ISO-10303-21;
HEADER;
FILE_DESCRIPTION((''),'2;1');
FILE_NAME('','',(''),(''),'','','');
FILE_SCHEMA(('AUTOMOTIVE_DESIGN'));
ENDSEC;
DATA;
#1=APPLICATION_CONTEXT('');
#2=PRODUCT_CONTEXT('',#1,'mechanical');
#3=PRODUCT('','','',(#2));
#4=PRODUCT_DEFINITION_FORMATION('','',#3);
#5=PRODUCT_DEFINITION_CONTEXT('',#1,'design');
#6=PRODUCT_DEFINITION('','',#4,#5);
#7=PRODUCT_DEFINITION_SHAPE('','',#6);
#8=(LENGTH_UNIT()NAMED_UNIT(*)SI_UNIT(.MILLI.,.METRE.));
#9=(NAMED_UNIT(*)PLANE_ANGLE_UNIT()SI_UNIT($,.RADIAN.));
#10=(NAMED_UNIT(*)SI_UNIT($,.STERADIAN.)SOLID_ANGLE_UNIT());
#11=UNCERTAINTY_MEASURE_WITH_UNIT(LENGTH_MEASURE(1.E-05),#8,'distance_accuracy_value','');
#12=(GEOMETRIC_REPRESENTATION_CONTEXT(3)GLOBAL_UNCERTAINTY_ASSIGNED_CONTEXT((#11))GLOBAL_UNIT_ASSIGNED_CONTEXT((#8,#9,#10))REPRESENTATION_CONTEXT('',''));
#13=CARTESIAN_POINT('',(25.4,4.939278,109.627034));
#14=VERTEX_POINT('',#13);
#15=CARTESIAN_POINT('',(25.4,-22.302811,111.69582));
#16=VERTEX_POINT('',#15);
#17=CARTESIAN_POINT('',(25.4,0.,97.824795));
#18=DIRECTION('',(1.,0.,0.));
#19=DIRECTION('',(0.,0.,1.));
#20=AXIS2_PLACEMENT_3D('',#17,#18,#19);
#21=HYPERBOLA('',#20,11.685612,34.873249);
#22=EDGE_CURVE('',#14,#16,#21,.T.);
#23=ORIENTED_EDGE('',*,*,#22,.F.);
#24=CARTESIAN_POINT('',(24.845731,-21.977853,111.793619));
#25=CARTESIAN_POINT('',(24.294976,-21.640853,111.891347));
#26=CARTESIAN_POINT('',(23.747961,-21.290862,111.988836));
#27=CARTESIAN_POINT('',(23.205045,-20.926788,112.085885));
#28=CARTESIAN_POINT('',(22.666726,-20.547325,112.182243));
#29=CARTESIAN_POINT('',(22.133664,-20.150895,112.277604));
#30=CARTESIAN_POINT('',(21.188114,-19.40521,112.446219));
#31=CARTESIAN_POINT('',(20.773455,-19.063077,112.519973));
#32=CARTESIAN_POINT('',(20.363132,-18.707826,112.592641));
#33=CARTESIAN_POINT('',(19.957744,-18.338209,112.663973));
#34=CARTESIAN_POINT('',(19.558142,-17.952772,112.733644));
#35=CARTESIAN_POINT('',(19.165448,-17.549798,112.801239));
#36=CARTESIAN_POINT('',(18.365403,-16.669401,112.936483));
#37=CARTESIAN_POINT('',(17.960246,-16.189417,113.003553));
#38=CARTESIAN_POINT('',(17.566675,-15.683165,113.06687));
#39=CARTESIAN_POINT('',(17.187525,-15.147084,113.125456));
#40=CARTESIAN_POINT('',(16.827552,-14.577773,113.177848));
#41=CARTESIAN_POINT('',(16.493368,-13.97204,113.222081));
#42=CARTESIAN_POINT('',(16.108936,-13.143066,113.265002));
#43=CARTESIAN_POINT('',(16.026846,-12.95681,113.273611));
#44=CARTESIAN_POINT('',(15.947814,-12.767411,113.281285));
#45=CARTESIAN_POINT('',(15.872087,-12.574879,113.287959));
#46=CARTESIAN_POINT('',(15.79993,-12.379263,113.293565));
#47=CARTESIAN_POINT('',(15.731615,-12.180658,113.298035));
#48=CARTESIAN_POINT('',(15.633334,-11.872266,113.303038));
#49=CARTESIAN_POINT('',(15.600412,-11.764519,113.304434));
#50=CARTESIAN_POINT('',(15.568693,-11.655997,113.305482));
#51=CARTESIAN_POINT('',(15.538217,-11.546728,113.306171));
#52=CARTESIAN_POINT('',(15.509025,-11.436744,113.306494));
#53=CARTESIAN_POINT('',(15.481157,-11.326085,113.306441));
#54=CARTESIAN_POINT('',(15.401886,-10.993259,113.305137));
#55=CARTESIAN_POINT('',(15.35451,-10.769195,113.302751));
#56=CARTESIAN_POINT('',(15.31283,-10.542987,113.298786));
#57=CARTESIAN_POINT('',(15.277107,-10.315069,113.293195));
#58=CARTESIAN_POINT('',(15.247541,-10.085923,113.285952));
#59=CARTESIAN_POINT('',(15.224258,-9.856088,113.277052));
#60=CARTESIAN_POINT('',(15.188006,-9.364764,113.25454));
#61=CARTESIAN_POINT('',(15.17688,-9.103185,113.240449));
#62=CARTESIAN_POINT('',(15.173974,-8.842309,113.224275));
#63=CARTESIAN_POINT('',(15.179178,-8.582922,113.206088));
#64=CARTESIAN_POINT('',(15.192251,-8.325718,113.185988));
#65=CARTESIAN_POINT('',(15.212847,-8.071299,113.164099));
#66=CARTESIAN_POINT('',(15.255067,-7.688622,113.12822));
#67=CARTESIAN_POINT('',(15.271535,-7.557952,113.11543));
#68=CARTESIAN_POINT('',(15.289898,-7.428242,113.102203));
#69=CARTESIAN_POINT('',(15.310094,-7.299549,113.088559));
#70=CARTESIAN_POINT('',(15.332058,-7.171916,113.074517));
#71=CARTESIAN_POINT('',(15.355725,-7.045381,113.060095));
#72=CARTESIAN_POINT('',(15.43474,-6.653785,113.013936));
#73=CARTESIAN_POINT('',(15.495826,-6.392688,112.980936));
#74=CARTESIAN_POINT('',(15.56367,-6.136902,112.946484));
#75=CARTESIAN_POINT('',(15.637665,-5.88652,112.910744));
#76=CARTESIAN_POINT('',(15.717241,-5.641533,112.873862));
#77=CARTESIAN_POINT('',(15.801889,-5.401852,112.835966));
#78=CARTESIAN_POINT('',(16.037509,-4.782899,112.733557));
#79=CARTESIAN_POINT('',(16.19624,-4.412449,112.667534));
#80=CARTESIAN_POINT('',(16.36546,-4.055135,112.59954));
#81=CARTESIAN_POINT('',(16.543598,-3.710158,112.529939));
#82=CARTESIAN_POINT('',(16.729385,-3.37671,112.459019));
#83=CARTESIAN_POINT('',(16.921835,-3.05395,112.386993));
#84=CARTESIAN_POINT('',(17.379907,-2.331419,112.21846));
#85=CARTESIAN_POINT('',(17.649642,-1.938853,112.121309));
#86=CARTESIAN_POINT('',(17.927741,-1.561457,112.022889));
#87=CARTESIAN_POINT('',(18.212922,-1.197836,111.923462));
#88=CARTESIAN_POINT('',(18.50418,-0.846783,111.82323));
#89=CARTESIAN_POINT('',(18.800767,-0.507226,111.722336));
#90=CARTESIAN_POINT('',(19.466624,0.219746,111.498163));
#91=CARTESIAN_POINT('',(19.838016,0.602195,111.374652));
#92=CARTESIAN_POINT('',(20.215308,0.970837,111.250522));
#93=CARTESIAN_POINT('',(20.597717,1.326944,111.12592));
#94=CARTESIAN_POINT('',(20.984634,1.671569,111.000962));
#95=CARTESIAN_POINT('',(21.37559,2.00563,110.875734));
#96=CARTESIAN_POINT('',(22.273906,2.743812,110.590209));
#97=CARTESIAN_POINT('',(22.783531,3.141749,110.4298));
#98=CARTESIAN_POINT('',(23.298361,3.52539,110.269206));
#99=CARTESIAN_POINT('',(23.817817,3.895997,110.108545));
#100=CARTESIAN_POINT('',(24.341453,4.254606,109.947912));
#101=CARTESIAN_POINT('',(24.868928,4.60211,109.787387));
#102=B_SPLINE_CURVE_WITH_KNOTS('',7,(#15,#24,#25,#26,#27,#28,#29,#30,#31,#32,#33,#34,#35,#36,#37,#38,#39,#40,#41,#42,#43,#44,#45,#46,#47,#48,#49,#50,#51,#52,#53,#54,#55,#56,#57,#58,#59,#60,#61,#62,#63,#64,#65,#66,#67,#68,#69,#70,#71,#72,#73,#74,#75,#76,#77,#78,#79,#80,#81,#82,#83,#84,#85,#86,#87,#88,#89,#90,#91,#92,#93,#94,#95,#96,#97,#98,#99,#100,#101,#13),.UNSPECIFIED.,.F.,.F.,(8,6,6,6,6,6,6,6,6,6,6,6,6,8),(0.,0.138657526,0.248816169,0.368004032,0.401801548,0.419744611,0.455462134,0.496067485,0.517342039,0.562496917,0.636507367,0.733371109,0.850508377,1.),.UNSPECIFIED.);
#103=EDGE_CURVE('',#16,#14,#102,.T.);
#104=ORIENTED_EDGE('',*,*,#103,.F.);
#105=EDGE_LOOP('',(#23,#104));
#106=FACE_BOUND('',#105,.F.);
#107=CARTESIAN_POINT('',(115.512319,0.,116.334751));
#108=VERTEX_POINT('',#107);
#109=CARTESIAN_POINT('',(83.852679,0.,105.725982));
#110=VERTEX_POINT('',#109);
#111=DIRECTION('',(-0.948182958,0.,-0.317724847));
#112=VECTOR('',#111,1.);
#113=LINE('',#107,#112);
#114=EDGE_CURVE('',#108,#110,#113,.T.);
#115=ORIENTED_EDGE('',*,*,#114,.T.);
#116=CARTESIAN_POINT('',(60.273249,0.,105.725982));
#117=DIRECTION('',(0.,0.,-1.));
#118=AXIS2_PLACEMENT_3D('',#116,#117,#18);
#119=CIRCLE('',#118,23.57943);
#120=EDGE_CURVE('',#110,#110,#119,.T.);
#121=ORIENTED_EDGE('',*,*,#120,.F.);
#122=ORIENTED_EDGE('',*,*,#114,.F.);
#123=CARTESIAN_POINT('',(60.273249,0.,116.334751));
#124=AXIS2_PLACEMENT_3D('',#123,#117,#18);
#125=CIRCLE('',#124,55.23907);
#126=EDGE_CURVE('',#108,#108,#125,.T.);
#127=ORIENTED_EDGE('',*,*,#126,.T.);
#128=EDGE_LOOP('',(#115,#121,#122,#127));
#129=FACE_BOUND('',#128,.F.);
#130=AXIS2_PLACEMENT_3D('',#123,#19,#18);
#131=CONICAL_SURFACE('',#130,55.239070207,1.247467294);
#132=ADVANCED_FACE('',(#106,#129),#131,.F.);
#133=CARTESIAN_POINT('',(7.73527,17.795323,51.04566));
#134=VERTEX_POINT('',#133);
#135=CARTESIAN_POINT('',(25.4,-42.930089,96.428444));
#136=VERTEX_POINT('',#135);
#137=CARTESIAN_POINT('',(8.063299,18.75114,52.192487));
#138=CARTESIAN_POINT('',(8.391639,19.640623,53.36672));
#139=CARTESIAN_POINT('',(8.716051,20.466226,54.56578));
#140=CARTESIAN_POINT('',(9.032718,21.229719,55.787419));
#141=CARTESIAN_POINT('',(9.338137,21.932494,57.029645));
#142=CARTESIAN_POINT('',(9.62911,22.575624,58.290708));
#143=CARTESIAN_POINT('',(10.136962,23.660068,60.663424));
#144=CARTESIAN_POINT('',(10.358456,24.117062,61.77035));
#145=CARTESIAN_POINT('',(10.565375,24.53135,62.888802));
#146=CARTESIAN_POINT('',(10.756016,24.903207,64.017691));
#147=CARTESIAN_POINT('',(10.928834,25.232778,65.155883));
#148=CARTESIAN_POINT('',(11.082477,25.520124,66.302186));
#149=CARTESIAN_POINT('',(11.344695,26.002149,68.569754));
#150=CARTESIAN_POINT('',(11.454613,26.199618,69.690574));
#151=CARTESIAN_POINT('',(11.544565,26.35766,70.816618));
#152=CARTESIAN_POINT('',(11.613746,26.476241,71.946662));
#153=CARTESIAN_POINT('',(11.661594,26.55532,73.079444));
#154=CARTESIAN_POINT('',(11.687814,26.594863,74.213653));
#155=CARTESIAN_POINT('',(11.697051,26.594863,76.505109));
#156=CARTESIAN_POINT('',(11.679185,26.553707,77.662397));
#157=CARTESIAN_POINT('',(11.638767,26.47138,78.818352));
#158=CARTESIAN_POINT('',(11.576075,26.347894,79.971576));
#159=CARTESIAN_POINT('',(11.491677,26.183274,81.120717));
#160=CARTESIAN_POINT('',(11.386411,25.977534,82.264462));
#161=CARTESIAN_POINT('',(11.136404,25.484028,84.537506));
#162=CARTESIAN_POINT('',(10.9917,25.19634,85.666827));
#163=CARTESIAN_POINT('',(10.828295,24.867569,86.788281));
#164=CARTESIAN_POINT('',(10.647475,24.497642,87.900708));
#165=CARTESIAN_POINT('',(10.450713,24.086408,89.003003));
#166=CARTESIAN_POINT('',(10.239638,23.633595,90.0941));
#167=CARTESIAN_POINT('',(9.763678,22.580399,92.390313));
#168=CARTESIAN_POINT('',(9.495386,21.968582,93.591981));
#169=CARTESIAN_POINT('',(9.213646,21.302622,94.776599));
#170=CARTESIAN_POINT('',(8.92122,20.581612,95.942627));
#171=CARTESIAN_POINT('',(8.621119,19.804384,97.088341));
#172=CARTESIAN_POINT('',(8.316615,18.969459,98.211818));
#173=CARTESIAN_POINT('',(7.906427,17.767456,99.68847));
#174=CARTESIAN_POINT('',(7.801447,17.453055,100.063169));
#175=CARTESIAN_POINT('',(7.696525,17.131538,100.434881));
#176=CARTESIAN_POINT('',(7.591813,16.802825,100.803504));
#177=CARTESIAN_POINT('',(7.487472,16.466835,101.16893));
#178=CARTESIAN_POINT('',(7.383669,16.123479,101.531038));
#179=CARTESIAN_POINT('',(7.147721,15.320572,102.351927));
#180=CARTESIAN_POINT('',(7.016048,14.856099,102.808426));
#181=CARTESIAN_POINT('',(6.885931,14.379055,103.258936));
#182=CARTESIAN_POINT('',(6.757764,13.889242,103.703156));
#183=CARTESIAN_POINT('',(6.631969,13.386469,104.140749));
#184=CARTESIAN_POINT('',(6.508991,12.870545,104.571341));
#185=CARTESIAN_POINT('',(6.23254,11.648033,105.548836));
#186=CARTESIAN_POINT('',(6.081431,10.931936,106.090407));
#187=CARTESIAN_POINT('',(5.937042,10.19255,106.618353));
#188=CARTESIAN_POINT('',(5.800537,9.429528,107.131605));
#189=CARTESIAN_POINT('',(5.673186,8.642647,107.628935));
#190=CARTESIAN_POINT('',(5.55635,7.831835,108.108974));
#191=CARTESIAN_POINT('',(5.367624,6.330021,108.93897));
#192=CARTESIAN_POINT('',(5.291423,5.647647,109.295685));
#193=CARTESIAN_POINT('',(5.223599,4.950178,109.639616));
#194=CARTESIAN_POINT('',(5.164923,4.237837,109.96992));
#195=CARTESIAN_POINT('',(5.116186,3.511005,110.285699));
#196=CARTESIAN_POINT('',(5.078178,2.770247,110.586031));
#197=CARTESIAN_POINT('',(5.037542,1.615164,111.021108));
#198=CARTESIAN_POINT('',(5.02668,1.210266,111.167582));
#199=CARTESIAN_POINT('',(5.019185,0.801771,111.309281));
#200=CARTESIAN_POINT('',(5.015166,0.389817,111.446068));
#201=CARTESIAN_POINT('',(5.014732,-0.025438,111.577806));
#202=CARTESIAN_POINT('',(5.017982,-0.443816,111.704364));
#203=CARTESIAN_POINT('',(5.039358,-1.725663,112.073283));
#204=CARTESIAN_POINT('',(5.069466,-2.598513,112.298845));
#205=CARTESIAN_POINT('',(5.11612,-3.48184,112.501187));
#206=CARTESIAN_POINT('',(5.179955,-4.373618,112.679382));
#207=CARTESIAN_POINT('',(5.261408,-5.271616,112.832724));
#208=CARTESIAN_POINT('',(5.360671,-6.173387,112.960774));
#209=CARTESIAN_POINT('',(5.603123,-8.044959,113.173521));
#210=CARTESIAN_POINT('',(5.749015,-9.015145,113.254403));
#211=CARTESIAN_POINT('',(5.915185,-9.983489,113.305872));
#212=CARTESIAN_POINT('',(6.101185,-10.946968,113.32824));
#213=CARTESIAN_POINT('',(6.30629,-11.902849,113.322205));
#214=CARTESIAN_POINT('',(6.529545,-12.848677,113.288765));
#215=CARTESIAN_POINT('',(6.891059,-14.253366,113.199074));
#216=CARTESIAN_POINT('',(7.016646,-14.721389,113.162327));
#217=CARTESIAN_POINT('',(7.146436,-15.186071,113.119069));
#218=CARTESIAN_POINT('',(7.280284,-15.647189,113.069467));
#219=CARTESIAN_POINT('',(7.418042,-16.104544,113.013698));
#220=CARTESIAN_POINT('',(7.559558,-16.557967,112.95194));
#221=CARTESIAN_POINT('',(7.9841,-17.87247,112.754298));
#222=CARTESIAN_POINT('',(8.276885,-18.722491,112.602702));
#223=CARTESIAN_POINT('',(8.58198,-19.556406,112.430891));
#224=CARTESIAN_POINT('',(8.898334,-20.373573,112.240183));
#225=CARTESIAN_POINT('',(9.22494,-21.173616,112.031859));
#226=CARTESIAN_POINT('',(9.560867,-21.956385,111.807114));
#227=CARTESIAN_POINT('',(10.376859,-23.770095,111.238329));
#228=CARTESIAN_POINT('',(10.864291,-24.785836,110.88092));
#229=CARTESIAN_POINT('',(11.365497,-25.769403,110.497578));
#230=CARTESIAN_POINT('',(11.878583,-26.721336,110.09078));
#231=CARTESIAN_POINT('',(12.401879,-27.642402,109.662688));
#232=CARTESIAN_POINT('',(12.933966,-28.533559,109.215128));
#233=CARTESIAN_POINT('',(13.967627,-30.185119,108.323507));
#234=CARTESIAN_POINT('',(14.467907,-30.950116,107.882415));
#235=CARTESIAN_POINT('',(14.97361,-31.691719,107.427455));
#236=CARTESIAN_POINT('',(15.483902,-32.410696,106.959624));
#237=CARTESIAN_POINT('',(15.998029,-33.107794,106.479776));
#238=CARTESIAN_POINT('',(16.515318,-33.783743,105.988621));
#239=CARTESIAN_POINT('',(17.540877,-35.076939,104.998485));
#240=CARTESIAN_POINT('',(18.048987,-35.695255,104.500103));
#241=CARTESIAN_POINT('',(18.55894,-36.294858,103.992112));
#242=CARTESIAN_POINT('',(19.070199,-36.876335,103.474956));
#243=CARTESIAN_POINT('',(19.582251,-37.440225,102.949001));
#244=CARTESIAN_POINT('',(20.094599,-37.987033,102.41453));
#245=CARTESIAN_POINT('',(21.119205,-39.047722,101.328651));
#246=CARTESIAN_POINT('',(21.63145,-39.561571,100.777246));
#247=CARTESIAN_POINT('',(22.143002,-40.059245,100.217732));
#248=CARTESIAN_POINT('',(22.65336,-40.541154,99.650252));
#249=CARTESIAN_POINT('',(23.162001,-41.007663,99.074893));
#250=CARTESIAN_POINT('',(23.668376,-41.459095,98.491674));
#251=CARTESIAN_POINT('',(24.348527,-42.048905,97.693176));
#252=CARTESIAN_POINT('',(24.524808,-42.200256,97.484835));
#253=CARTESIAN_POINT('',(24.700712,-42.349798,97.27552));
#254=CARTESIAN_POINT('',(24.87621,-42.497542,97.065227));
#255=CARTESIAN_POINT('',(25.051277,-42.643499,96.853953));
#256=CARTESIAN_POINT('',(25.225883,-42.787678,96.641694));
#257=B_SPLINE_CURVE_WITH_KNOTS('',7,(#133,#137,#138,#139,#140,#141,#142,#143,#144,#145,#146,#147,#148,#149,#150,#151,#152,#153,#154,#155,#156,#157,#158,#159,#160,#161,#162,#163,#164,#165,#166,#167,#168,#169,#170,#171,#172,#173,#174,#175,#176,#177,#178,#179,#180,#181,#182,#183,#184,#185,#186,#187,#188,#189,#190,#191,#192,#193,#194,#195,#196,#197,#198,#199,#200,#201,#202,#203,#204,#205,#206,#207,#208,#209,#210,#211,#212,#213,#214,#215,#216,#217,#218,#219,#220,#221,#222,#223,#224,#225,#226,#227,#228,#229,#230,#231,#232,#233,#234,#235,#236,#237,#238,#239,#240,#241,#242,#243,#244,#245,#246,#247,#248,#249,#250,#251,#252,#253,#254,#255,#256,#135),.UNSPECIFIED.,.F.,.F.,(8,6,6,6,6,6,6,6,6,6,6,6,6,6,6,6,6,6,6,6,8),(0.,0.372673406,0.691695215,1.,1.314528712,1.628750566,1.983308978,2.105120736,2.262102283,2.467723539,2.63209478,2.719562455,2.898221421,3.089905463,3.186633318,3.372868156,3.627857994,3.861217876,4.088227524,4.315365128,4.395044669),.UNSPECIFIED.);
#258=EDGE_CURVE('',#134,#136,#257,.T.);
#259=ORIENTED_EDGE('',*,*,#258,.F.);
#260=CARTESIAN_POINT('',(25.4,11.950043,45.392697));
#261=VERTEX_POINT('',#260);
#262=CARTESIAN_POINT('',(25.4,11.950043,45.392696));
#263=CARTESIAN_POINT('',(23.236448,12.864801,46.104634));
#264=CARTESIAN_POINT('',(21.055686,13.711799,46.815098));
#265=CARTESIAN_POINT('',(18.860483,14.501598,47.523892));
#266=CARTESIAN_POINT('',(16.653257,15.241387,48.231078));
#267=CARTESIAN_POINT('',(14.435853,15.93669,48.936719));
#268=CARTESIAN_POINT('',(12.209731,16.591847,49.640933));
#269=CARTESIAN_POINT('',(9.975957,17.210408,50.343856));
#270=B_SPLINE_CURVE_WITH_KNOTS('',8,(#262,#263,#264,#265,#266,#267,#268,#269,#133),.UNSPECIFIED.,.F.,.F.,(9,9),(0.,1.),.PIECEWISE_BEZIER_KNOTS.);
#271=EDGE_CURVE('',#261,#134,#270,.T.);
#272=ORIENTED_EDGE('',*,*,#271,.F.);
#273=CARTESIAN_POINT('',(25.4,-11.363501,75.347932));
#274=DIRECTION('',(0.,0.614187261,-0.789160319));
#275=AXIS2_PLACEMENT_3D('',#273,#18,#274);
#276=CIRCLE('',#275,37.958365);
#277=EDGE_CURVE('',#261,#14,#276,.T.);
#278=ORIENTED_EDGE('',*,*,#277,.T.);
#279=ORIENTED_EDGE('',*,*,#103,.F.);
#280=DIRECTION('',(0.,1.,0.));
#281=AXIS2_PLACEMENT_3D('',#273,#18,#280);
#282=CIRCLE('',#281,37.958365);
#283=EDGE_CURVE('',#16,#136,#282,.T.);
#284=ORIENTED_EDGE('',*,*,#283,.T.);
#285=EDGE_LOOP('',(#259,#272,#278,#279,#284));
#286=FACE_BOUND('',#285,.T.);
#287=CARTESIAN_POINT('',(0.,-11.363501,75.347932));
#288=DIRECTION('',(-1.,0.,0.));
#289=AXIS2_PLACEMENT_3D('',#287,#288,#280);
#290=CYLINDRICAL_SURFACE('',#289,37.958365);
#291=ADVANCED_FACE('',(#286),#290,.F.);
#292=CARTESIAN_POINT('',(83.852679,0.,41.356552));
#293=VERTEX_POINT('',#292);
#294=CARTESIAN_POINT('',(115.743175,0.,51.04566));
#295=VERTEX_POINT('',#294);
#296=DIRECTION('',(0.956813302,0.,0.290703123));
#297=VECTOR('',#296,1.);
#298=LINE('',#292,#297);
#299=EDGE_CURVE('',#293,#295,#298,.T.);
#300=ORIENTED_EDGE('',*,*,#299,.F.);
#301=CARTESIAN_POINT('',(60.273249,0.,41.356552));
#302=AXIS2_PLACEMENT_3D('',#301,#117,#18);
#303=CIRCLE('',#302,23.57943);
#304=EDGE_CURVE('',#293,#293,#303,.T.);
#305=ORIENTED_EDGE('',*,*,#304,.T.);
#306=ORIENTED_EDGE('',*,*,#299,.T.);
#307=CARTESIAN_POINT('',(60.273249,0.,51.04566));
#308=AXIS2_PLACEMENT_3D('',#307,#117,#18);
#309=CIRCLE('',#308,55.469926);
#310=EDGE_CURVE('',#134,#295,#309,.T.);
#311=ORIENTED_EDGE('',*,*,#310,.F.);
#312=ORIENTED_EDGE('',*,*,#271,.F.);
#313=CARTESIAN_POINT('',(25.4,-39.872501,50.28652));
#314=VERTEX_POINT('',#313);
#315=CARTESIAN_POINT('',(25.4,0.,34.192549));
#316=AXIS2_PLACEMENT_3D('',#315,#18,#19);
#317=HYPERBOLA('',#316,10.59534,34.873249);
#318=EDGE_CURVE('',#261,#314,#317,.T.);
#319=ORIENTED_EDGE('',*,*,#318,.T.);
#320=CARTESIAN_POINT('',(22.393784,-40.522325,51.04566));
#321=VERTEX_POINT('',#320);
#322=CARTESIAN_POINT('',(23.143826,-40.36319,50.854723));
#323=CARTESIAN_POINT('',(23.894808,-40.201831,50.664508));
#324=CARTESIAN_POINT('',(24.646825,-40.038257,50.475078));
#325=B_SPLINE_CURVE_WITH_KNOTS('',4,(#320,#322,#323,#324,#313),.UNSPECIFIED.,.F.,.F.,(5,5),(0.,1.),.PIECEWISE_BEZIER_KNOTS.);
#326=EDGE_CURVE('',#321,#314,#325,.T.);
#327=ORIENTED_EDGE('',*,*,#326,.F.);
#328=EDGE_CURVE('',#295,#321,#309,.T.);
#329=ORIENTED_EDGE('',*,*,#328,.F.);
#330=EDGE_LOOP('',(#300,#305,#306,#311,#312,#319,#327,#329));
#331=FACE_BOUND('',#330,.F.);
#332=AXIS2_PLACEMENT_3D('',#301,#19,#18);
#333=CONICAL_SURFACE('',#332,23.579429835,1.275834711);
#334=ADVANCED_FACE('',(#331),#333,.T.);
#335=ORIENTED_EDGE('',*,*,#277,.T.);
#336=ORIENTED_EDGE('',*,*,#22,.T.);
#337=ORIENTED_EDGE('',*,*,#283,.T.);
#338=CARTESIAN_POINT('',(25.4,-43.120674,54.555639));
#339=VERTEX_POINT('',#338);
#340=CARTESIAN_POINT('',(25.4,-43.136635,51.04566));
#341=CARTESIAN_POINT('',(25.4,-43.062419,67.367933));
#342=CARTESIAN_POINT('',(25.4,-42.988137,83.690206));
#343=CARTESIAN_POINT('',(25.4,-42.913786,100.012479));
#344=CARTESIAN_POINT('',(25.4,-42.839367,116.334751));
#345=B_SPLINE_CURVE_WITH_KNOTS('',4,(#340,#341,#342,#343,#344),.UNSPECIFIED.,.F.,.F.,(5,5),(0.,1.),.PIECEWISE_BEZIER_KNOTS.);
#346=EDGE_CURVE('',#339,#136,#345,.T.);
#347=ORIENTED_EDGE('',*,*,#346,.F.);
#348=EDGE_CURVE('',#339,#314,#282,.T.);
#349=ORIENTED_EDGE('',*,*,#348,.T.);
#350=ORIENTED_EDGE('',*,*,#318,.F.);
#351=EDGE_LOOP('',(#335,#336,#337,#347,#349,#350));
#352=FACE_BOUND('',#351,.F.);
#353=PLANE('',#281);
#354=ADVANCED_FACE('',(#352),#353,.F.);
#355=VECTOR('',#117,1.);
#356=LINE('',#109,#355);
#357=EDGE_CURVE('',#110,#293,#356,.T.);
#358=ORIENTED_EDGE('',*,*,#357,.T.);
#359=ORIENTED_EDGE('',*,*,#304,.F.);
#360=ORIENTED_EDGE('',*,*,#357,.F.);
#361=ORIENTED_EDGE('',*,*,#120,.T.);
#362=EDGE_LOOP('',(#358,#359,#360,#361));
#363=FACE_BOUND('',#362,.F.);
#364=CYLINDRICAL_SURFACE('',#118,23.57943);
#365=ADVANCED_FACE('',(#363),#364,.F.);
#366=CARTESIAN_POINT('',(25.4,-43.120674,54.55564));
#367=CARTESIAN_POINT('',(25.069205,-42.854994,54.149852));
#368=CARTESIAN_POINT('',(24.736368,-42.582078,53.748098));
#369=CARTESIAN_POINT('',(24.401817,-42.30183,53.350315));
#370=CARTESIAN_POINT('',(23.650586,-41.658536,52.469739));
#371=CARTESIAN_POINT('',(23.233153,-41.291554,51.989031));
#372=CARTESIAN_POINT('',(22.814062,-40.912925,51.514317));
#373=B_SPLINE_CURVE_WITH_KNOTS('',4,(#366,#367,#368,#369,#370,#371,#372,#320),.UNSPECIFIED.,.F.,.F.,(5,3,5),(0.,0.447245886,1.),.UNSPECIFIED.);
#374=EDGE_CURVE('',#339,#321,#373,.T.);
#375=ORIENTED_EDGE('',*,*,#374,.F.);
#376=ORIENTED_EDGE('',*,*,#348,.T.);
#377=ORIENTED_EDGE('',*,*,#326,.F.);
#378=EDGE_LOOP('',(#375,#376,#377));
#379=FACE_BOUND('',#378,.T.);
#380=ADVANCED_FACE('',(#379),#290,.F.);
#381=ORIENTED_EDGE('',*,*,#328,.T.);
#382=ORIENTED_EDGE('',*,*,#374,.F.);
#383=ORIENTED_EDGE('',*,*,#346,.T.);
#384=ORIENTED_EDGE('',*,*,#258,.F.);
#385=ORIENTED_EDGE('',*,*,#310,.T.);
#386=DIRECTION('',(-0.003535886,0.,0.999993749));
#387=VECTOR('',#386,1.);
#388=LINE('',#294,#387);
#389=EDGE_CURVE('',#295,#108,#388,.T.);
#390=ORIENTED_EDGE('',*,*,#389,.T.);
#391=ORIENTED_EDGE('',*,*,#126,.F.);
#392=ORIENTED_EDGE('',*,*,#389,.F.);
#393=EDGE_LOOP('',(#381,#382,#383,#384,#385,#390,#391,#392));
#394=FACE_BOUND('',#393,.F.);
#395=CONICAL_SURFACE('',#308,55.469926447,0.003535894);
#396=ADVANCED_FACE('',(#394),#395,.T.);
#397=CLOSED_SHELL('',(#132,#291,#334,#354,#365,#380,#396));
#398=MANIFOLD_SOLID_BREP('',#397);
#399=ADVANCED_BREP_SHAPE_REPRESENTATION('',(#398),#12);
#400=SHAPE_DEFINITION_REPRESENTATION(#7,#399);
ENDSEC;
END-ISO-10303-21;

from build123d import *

# Parameters (mm, degrees)
F2_R     = 37.958364699
F3_DEPTH = 25.399999693


with BuildPart() as f1:
    # F0 (on Front) → F1 (revolve)
    with BuildSketch(Plane.XZ):
        Polygon((115.5123189092, 116.3347512484), (83.8526785374, 105.7259817888), (83.8526785374, 41.3565523922), (115.743175149, 51.0456599295), align=None)
    revolve(axis=Axis((60.2732487023, 0, 87.5743832439), (0, 0, -1)))

    # F2 (on Right) → F3 (cut)
    with BuildSketch(Plane.YZ):
        with Locations((-11.3635012621, 75.3479318831)):
            Circle(F2_R)
    extrude(amount=F3_DEPTH, mode=Mode.SUBTRACT)


solid = f1.part
